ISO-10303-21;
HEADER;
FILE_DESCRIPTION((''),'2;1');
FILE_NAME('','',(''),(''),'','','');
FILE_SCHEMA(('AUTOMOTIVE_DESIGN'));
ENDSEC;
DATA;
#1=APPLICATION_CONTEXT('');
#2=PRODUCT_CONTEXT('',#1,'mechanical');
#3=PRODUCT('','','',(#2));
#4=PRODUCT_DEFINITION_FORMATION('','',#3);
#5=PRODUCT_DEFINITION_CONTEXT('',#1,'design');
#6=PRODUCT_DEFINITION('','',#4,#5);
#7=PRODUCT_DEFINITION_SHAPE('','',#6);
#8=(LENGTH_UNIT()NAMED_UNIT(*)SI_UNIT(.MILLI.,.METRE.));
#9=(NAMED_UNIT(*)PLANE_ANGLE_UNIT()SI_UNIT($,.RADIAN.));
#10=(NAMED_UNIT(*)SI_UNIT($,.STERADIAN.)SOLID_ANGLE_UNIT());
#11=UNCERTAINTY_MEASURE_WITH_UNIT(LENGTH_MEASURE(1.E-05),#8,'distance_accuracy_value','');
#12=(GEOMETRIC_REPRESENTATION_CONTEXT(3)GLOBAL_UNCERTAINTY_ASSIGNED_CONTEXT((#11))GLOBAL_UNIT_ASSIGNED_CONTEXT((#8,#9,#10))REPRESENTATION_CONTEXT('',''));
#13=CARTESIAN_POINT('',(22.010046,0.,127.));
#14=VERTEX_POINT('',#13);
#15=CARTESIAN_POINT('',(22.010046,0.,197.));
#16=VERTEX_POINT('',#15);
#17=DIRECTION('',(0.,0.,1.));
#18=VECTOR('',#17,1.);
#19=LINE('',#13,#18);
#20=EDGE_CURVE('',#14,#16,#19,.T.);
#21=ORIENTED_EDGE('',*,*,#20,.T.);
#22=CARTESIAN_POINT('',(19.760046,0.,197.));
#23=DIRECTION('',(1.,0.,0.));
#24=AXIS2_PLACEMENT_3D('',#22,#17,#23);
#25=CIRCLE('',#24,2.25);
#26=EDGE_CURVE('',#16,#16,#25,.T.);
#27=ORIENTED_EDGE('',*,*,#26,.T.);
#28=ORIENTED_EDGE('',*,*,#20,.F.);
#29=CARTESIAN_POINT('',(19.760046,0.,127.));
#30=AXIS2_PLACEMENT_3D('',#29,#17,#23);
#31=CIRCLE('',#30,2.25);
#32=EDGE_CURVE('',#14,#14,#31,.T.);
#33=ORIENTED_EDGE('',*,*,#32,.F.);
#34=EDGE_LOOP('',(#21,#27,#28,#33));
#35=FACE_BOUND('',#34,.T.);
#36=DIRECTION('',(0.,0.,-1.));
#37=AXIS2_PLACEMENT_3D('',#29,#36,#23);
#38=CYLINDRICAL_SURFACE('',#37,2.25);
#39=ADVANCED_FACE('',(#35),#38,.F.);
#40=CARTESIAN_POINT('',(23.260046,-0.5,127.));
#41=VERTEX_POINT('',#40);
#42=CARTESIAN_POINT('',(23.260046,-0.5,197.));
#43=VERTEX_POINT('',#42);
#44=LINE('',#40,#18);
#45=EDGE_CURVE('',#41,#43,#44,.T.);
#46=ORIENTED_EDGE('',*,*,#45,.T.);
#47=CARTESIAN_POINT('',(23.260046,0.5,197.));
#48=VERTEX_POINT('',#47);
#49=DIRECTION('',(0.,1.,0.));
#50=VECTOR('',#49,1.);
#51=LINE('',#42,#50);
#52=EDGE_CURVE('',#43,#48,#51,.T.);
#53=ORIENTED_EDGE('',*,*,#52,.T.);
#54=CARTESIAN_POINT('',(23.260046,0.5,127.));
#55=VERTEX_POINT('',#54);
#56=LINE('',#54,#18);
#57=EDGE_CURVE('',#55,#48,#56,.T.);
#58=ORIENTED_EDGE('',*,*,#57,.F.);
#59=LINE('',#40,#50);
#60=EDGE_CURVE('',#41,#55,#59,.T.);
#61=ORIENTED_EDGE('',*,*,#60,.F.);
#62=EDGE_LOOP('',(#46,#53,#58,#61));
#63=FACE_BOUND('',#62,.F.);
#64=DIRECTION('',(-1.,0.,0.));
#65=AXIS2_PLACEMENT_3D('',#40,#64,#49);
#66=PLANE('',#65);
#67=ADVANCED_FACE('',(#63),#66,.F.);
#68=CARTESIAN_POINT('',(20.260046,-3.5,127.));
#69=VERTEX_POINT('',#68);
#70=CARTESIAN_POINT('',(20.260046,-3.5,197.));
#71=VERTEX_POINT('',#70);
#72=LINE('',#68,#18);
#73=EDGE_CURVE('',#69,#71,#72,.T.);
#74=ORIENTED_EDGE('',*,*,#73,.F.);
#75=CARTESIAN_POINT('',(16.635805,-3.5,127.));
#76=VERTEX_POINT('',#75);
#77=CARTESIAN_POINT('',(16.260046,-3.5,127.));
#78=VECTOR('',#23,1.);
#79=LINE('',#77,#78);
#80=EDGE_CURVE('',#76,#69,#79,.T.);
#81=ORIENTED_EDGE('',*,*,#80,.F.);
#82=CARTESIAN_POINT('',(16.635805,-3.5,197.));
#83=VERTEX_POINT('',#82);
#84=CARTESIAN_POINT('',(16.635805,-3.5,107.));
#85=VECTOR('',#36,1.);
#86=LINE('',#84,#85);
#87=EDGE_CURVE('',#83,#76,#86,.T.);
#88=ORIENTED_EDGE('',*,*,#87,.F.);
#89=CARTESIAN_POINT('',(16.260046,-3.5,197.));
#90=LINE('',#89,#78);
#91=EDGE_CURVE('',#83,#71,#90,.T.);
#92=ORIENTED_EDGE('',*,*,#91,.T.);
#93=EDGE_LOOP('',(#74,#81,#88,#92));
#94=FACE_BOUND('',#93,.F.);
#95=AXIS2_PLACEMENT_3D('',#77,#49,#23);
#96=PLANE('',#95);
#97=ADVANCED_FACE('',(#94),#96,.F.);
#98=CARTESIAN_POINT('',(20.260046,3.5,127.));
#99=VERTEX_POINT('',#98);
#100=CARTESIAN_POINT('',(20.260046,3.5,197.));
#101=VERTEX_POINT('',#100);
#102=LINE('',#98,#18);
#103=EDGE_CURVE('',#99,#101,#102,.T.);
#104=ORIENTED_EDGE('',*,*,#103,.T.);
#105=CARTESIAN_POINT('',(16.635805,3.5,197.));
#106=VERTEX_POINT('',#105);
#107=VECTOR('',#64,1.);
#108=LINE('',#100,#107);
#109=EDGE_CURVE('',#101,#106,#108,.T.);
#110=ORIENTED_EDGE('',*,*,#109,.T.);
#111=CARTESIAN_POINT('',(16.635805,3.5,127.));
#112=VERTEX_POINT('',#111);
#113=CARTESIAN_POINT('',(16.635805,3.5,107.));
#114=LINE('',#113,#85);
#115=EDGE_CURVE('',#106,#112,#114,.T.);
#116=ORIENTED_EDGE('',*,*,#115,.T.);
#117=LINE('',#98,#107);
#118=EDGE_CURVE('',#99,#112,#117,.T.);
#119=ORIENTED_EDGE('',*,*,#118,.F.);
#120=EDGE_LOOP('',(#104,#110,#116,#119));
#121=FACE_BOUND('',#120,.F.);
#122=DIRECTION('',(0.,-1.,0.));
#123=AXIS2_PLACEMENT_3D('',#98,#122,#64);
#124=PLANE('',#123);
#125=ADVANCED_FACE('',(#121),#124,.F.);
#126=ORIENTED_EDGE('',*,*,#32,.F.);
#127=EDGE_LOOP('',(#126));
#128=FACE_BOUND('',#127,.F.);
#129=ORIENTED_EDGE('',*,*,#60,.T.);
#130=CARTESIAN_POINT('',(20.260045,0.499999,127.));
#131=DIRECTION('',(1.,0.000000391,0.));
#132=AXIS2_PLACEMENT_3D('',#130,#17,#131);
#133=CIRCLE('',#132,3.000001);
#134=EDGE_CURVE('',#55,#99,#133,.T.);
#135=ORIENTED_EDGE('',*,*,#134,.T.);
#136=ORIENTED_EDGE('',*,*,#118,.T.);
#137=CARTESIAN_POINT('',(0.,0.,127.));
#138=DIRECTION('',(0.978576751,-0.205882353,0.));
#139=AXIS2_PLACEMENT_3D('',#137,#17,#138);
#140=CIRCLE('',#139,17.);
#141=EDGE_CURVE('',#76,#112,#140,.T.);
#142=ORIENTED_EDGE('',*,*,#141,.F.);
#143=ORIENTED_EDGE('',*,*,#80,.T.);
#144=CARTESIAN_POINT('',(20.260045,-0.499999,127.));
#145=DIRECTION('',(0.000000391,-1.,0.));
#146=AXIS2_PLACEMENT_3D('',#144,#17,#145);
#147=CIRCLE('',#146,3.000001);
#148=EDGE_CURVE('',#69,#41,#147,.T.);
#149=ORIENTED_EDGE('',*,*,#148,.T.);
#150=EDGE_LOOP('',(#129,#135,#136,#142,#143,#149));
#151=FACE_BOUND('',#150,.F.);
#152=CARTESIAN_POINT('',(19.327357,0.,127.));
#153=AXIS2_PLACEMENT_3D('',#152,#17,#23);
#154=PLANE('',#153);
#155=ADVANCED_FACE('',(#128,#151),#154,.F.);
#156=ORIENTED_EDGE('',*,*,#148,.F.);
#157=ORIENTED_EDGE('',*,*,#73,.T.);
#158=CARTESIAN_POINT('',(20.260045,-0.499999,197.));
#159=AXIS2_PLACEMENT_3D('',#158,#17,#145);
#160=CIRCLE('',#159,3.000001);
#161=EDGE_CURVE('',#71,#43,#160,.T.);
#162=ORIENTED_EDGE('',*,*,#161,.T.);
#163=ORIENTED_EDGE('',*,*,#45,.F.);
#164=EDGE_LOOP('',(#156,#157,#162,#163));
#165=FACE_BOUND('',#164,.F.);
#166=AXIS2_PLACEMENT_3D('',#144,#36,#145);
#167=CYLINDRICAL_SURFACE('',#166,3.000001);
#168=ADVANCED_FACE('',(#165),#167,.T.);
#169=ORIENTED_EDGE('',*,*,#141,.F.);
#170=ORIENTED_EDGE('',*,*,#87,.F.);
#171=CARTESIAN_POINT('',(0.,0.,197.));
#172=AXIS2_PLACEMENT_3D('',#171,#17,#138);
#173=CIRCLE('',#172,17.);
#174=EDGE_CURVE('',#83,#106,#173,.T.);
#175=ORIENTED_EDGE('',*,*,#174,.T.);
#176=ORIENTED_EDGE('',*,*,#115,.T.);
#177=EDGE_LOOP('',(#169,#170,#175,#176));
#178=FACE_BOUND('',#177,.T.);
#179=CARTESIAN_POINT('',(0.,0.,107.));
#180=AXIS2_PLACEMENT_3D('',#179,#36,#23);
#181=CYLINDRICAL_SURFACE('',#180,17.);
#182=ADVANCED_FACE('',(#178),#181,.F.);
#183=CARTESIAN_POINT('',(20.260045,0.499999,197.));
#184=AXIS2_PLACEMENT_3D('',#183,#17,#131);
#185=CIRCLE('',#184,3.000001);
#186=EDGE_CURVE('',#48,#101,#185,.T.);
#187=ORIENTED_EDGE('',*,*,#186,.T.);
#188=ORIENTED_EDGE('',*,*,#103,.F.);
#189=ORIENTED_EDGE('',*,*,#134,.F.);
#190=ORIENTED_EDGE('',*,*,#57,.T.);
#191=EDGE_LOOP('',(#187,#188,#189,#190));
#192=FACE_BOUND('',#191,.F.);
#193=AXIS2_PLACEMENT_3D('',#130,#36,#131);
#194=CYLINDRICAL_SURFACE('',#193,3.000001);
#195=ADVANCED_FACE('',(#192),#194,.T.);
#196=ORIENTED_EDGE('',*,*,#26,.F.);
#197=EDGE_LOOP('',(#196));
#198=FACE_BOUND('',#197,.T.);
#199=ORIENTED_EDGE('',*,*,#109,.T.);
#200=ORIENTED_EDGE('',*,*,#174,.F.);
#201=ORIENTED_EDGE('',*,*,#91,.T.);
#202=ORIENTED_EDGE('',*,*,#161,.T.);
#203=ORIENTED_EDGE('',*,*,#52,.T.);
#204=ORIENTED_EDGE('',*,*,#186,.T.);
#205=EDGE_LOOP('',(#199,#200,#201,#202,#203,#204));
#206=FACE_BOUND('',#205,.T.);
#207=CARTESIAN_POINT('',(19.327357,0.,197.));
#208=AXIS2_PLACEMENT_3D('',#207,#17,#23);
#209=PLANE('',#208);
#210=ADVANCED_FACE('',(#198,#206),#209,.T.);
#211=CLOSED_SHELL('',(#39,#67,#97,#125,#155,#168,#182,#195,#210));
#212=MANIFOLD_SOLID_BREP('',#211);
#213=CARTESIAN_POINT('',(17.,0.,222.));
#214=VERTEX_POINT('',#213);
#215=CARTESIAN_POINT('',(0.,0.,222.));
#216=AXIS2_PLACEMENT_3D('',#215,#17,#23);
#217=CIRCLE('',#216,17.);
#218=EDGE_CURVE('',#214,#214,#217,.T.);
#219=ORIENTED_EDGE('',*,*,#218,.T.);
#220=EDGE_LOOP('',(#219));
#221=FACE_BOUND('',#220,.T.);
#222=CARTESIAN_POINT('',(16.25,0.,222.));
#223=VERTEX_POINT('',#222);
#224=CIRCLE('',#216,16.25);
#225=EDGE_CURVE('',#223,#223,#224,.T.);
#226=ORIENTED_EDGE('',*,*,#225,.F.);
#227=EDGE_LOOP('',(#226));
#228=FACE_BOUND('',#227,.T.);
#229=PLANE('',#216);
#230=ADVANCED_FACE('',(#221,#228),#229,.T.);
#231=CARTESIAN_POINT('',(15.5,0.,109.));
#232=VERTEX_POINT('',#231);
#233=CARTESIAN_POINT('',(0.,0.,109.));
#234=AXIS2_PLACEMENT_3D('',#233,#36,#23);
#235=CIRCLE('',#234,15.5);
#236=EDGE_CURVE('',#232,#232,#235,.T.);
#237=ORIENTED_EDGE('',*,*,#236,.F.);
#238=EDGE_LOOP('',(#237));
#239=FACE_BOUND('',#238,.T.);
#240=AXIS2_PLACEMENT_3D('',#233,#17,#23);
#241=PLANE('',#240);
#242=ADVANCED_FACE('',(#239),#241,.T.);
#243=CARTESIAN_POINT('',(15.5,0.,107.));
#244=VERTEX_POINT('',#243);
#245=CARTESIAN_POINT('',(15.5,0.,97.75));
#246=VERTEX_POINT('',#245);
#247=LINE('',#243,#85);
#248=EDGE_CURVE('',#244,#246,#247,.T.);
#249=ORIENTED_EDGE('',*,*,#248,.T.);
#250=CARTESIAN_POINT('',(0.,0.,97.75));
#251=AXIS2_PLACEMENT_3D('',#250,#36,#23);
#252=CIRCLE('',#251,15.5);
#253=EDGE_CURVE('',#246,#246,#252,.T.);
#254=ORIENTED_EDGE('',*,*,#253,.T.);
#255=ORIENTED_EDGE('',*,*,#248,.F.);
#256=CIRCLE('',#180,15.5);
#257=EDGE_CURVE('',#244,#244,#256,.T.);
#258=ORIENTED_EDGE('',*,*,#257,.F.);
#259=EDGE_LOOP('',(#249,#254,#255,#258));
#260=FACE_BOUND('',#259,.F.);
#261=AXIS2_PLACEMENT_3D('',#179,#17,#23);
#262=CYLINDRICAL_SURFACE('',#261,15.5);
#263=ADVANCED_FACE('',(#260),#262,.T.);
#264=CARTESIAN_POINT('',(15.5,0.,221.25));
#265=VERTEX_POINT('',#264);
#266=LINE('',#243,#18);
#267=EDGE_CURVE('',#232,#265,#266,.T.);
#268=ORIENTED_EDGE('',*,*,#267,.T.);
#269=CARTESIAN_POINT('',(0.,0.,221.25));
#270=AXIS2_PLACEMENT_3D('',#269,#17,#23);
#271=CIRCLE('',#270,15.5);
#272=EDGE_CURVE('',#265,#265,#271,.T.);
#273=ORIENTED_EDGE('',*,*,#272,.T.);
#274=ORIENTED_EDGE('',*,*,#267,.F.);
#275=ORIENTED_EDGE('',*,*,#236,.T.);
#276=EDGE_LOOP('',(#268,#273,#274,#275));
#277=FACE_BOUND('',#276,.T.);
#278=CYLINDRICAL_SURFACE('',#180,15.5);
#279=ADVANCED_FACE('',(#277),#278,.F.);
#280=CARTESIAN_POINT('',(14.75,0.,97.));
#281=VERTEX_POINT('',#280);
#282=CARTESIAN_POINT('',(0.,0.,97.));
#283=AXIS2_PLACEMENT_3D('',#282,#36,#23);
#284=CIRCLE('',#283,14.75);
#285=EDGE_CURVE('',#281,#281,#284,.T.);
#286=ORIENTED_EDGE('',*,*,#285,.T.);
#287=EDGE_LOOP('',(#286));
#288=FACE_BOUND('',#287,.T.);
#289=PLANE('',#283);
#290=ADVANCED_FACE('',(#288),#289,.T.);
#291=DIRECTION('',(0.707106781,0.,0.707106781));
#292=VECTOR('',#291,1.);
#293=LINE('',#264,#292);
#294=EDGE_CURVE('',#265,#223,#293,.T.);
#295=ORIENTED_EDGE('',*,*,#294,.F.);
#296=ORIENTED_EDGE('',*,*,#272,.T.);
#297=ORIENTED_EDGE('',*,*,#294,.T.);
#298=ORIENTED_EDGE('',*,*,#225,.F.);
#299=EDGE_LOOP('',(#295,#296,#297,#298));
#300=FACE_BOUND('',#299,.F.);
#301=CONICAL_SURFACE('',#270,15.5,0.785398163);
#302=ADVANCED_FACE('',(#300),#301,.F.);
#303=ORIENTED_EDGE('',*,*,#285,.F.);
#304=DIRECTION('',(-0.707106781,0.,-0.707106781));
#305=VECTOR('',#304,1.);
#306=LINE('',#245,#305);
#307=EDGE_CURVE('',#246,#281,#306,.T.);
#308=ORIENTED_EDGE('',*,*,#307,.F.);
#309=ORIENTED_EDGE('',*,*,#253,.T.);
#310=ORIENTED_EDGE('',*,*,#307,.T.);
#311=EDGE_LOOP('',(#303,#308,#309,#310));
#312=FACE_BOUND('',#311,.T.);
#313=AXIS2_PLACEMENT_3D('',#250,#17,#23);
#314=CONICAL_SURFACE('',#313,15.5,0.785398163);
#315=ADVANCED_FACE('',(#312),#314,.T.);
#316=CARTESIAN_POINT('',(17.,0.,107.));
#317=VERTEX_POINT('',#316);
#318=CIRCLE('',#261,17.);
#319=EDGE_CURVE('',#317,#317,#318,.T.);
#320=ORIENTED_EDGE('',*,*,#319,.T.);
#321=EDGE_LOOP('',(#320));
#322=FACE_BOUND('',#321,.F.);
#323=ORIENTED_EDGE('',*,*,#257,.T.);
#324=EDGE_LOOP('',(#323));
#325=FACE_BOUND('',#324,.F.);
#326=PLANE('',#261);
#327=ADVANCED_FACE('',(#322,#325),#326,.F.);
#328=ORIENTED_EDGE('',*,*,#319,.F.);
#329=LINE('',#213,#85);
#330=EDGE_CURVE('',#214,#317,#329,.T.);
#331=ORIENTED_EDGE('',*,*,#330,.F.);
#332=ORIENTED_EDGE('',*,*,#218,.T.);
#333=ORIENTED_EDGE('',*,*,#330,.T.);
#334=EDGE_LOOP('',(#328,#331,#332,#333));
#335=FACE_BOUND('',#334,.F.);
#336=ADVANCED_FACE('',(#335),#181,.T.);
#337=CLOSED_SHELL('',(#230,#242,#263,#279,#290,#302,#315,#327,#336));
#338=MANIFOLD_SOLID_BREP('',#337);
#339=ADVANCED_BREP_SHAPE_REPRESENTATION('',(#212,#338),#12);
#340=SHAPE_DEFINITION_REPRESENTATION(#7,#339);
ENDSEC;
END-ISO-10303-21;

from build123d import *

# Parameters (mm, degrees)
F1_R      = 17
F1_R_2    = 15.5
F2_DEPTH  = 115
F3_SIZE   = 0.75
F4_R      = 17
F5_DEPTH  = 2
F6_R      = 15.5
F7_DEPTH  = 10
F8_SIZE   = 0.75
F10_R     = 2.25
F11_DEPTH = 70


with BuildPart() as f2:
    # F1 (on offset) → F2 (new body)
    with BuildSketch(Plane.XY.offset(107)):
        Circle(F1_R)
        Circle(F1_R_2, mode=Mode.SUBTRACT)
    extrude(amount=F2_DEPTH)

    # F3
    f3_edges = [f2.edges().sort_by_distance(p)[0] for p in [
        (-15.5, 0, 222),
    ]]
    chamfer(f3_edges, length=F3_SIZE)

    # F4 (on offset) → F5 (join)
    with BuildSketch(Plane.XY.offset(107)):
        Circle(F4_R)
    extrude(amount=F5_DEPTH)

    # F6 (on face) → F7 (join)
    with BuildSketch(Plane(origin=(0, 0, 107), x_dir=(1, 0, 0), z_dir=(0, 0, -1))):
        Circle(F6_R)
    extrude(amount=F7_DEPTH)

    # F8
    f8_edges = [f2.edges().sort_by_distance(p)[0] for p in [
        (-15.5, 0, 97),
    ]]
    chamfer(f8_edges, length=F8_SIZE)


with BuildPart() as f11:
    # F10 (on offset) → F11 (new body)
    with BuildSketch(Plane.XY.offset(127)):
        with BuildLine():
            Line((20.260046, 3.5), (16.260046, 3.5))
            Line((16.260046, 3.5), (16.260046, -3.5))
            Line((16.260046, -3.5), (20.260046, -3.5))
            ThreePointArc((20.260046, -3.5), (22.381366, -2.62132), (23.260046, -0.5))
            Line((23.260046, -0.5), (23.260046, 0.5))
            ThreePointArc((23.260046, 0.5), (22.381366, 2.62132), (20.260046, 3.5))
        make_face()
        with Locations((19.760046, 0)):
            Circle(F10_R, mode=Mode.SUBTRACT)
    extrude(amount=F11_DEPTH)

    # F12: cut F2
    add(f2.part, mode=Mode.SUBTRACT)


solid = Compound([f2.part, f11.part])
